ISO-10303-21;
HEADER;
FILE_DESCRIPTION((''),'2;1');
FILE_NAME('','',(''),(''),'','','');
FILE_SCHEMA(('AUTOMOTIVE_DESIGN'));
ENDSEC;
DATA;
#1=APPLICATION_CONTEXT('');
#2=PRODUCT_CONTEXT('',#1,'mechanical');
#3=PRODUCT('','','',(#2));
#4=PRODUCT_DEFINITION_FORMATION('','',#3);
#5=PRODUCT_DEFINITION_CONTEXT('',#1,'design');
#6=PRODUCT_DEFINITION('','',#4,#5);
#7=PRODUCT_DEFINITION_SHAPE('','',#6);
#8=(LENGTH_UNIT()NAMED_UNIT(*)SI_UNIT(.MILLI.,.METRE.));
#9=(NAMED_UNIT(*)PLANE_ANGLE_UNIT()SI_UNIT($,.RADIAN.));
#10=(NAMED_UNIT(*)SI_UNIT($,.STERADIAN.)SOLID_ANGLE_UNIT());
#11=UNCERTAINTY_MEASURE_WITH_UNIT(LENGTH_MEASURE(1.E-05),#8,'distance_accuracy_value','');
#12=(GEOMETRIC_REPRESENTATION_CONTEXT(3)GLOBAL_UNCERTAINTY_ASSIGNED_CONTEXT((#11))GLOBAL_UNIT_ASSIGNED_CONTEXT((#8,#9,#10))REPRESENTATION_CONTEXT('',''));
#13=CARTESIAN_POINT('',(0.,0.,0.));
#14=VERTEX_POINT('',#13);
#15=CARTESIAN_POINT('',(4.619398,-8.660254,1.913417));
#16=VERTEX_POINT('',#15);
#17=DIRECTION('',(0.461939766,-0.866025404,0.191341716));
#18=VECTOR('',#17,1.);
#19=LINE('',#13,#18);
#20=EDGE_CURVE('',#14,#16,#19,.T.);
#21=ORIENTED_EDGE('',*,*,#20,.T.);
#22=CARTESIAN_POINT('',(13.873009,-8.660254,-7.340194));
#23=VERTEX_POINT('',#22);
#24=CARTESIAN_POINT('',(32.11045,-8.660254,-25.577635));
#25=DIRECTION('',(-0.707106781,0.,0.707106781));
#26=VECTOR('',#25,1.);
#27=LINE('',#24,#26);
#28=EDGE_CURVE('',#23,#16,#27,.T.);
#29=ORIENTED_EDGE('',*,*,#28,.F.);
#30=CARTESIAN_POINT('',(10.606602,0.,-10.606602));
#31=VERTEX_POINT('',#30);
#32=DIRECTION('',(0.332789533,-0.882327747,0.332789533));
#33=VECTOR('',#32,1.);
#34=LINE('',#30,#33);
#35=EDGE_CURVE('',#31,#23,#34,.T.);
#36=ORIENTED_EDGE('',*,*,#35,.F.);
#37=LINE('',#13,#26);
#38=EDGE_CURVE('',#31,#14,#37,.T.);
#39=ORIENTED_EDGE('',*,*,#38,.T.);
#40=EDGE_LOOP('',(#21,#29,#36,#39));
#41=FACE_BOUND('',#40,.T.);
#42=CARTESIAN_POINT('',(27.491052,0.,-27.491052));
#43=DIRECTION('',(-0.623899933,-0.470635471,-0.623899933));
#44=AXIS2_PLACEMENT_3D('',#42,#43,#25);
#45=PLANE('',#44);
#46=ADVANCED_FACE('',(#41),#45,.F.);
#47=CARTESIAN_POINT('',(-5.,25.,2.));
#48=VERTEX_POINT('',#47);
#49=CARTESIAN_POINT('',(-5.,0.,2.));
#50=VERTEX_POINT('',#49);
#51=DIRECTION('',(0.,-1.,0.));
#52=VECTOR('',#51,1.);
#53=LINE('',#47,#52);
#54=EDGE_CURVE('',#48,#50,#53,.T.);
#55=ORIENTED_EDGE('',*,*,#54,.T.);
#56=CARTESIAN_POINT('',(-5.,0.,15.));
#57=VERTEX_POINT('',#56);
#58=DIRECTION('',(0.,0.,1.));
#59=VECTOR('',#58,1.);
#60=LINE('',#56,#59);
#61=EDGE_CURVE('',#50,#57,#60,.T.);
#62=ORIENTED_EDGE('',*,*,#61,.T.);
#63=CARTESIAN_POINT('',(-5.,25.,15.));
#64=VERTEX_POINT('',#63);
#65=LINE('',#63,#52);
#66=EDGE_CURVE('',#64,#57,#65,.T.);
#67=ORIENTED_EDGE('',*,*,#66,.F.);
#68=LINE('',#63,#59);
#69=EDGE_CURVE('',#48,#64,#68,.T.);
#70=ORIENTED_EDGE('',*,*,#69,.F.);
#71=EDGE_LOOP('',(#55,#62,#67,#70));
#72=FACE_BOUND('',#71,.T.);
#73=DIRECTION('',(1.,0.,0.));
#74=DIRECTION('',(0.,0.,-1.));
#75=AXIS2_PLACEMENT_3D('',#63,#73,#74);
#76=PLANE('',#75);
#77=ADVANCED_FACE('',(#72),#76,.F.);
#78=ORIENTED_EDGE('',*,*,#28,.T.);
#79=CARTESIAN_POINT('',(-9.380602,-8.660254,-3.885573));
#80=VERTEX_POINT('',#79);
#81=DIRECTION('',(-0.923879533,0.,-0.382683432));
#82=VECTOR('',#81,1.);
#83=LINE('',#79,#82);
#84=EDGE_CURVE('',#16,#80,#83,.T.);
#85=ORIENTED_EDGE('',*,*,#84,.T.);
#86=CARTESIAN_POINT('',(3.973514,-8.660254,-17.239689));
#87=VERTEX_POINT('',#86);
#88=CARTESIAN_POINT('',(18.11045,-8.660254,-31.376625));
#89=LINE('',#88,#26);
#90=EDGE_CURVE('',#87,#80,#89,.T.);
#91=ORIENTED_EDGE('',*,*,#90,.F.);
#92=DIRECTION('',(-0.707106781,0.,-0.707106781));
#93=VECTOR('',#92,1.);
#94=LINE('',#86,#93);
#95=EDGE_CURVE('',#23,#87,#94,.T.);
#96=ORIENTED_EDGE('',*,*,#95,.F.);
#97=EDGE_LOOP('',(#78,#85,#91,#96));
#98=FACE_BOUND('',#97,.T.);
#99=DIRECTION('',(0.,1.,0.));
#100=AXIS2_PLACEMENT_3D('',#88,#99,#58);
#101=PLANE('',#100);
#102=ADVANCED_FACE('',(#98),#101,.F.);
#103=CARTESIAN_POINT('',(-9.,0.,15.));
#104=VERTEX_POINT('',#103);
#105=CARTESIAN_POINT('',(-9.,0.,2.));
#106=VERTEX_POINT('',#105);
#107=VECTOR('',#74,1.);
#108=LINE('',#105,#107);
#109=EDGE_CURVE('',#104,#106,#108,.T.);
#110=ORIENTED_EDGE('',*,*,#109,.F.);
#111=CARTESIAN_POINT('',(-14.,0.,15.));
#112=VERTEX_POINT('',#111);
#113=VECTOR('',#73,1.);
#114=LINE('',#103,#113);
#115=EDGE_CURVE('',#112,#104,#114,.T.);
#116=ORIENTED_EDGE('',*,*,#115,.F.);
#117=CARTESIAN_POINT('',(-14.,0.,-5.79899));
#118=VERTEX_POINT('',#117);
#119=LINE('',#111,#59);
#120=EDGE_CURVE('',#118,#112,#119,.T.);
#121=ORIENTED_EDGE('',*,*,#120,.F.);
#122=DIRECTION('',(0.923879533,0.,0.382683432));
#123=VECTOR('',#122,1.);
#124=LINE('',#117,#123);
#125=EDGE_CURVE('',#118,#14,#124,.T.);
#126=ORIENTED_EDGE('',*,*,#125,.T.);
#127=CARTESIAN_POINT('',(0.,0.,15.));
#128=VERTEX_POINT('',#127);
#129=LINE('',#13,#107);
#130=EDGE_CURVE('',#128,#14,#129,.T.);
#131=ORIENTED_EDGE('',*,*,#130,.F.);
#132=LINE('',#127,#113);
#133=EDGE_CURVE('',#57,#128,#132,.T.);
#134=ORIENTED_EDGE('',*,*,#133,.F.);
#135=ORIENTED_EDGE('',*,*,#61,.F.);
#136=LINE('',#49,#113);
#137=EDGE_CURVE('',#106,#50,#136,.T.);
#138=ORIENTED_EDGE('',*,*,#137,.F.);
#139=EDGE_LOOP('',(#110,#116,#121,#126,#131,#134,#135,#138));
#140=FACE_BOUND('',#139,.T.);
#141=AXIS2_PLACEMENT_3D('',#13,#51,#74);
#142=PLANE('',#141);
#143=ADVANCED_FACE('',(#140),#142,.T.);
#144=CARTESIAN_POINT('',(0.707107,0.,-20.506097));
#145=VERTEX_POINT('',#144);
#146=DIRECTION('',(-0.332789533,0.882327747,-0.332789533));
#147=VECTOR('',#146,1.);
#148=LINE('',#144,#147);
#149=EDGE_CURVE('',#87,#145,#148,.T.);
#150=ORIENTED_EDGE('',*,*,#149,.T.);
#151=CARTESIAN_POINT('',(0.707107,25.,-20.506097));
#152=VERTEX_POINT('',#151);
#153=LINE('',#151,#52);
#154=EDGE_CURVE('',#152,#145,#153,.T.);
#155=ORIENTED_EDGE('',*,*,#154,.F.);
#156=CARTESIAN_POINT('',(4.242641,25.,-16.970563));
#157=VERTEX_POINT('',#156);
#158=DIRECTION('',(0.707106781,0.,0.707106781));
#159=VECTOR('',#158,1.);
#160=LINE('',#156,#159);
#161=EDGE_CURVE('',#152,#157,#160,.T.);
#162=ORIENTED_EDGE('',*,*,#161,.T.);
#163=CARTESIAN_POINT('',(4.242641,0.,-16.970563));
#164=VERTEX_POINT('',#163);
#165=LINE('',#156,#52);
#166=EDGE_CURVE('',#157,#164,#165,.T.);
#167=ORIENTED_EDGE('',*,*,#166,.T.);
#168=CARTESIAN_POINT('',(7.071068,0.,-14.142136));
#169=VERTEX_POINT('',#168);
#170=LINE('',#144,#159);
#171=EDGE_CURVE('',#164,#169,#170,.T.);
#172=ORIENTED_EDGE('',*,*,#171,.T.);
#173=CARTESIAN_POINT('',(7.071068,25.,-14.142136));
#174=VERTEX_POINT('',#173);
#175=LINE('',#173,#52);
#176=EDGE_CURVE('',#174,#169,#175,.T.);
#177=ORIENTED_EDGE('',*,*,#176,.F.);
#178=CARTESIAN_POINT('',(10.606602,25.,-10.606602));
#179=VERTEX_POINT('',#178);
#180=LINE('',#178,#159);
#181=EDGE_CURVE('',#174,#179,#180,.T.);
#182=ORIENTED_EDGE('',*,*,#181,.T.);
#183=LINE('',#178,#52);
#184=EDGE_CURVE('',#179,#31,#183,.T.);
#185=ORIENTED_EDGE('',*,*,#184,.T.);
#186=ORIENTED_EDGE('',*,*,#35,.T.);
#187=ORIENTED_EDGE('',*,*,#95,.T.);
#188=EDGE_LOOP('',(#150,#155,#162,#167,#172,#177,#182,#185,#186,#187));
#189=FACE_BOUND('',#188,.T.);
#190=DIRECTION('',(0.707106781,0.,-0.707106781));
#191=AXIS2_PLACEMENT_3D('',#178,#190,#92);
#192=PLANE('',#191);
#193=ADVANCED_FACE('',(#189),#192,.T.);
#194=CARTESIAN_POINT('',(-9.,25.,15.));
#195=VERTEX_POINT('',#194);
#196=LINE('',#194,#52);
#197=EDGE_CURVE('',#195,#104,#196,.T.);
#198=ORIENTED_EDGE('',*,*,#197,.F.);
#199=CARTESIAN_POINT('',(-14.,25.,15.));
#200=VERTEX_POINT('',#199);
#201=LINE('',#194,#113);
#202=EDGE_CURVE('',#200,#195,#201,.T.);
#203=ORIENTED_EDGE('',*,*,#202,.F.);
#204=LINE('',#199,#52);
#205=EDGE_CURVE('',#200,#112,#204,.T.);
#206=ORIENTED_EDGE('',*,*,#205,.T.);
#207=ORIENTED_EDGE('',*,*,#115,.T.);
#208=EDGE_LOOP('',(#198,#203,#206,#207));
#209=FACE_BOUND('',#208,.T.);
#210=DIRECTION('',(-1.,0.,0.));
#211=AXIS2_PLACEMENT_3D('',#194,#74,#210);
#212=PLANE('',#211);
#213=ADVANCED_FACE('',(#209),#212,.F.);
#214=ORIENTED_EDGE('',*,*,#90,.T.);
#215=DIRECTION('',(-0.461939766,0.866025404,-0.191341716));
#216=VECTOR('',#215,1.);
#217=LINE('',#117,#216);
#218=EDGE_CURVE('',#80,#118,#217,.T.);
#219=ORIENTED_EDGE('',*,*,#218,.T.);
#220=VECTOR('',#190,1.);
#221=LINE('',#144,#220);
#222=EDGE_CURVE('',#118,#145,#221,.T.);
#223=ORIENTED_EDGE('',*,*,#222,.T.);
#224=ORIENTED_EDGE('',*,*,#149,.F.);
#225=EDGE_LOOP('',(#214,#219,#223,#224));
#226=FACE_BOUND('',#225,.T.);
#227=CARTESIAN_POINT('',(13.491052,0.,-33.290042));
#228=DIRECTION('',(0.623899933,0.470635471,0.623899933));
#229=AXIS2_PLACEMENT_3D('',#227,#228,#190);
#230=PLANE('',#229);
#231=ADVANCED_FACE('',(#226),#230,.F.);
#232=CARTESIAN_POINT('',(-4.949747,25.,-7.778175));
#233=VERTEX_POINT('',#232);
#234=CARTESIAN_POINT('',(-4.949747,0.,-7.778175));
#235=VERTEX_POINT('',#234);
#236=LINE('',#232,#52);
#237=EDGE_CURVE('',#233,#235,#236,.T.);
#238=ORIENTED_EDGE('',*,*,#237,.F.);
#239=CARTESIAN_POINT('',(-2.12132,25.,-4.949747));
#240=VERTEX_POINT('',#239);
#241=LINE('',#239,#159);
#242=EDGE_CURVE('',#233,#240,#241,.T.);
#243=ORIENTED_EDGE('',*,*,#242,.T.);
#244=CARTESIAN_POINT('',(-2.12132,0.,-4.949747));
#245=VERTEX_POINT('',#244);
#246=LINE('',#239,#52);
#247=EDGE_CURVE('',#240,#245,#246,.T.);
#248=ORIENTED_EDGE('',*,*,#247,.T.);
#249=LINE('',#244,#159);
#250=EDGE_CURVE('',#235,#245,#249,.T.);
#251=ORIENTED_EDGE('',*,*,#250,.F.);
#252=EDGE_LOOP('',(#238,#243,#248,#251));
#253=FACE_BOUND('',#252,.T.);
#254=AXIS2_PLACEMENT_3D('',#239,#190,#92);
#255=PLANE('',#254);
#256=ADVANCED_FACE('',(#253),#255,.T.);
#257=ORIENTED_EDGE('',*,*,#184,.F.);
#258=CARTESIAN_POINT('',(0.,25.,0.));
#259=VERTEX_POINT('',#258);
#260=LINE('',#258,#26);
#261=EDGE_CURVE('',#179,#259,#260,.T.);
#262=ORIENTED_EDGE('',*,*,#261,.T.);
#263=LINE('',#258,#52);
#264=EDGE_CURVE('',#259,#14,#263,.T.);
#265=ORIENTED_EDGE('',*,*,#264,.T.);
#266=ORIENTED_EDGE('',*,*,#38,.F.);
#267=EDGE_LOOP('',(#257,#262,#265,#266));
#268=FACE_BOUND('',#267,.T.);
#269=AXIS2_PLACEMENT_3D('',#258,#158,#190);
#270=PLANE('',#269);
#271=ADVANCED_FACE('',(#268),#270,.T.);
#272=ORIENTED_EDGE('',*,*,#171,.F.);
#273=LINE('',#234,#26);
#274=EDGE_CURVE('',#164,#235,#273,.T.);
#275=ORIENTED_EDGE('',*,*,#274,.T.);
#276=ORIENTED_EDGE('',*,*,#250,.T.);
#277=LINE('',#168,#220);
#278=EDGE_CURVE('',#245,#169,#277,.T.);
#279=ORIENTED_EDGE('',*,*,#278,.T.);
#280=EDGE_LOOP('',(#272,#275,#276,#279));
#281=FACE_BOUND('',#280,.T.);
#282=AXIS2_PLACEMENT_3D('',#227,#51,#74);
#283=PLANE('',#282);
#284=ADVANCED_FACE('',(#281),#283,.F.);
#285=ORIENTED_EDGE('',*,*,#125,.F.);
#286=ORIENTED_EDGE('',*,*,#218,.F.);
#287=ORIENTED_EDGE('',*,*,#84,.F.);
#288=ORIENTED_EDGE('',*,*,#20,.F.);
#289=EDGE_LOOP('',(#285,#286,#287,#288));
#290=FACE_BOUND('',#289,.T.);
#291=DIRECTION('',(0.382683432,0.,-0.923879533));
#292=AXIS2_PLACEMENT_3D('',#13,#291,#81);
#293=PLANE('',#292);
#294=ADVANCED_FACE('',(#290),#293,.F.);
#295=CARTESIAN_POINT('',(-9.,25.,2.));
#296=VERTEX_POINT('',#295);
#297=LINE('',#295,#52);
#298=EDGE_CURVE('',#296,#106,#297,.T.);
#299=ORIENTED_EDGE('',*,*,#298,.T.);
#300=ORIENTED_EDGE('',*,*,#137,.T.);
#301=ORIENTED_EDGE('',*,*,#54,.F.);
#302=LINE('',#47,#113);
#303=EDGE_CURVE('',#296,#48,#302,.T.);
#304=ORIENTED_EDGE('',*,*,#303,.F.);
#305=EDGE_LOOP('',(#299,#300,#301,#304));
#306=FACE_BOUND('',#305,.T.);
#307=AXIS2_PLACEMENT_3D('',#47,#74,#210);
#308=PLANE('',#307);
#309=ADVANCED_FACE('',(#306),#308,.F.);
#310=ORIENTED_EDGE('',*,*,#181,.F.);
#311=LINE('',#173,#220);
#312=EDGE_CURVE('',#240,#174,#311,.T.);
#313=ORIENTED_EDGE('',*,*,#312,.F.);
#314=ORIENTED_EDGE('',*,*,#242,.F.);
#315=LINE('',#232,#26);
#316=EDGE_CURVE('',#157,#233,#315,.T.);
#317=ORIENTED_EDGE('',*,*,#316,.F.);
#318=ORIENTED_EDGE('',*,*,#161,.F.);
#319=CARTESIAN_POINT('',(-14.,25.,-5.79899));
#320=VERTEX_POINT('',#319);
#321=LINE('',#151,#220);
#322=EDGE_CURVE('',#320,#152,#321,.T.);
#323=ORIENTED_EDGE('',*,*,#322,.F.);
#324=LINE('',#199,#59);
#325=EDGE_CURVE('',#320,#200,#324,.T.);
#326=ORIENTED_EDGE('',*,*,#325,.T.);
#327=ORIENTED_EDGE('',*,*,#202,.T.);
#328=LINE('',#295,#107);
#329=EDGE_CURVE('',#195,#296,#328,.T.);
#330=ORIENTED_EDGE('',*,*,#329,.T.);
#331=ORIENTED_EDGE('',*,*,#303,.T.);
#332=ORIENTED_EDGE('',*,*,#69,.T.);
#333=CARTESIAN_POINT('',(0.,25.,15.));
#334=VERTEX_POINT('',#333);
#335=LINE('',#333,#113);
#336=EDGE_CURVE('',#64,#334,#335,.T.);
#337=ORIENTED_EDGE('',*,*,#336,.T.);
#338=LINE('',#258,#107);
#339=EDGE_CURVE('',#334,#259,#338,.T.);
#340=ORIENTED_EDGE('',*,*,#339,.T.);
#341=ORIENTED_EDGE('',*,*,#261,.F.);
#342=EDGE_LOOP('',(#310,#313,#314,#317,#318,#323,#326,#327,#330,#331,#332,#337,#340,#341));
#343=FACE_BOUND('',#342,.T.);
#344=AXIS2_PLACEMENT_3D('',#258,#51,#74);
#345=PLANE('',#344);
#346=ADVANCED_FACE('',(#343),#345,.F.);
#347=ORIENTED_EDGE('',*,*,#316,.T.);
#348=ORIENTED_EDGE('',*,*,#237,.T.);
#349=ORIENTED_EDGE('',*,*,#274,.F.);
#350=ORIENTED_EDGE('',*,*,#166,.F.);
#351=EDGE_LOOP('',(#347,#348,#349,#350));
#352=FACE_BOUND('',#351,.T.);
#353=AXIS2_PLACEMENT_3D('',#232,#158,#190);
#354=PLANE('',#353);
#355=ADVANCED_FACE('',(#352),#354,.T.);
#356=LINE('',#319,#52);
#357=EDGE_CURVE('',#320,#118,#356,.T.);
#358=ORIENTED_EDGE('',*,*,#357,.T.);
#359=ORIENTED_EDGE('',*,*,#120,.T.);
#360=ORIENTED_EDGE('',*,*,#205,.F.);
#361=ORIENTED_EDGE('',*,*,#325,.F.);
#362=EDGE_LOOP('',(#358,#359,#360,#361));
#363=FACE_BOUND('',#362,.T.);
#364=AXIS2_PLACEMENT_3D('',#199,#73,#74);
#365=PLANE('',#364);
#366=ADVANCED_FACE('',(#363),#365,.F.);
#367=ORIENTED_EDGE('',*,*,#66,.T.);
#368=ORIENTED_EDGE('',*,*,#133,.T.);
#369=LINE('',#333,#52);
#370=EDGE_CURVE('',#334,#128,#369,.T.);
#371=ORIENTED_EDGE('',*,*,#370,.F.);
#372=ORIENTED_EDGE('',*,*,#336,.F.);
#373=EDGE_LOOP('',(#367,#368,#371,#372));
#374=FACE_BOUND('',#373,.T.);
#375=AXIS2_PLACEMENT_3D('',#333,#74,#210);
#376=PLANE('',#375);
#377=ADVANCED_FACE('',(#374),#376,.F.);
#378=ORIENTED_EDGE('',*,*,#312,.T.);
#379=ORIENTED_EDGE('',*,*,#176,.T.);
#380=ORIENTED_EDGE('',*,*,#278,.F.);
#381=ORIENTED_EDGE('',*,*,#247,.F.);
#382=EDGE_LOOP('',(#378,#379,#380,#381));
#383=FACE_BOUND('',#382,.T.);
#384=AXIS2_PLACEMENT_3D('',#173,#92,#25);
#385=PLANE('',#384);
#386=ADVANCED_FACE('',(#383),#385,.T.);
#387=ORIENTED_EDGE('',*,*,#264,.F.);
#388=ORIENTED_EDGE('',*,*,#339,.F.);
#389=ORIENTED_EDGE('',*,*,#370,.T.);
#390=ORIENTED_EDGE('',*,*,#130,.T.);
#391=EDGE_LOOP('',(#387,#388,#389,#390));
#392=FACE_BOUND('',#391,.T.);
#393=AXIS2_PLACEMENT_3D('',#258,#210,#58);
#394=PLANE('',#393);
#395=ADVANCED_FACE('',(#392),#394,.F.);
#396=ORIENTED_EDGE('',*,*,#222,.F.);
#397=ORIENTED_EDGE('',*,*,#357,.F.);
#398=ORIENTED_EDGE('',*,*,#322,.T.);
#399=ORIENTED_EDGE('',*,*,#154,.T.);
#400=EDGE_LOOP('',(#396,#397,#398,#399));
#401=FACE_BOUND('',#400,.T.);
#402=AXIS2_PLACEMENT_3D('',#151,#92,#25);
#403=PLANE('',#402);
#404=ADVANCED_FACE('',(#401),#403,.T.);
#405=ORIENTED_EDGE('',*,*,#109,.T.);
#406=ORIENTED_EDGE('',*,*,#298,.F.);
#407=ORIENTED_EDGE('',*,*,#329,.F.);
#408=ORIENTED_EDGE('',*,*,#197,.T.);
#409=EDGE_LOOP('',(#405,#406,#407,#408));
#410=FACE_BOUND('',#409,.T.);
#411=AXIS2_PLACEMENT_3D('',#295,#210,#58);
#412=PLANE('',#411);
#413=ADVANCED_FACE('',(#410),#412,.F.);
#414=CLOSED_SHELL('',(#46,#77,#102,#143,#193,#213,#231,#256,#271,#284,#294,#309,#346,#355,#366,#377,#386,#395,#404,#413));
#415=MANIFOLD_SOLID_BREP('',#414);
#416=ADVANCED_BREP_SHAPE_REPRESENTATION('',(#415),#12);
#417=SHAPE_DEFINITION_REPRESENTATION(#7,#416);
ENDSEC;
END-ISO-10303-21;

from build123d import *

# Parameters (mm, degrees)
BOSS_EXTRUDE1_DEPTH = 25
BOSS_EXTRUDE3_REACH = 40.303


with BuildPart() as part:
    # Sketch2 → Boss-Extrude1 (new body)
    with BuildSketch(Plane(origin=(0, 0, 0), x_dir=(1, 0, 0), z_dir=(0, 1, 0))):
        Polygon((0, 0), (0, -15), (-5, -15), (-5, -2), (-9, -2), (-9, -15), (-14, -15), (-14, 5.798989873), align=None)
    boss_extrude1 = extrude(amount=BOSS_EXTRUDE1_DEPTH)

    # Mirror1: Boss-Extrude1 across plane
    add(boss_extrude1.mirror(Plane(origin=(0, 25, 0), x_dir=(0.9238795325112891, 0, 0.382683432365084), z_dir=(-0.382683432365084, 0, 0.9238795325112892))))

    # Boss-Extrude3: up to this plane
    boss_extrude3_end = Plane(origin=(10.606601718, 25, -10.606601718), z_dir=(0.7071067811865388, 0, -0.7071067811865563))
    # Sketch4 → Boss-Extrude3 (add, up to the surface)
    with BuildSketch(Plane(origin=(0, 0, 0), x_dir=(-0.9238795325112892, 0, -0.38268343236508406), z_dir=(0.3826834323650841, 0, -0.9238795325112893)), mode=Mode.PRIVATE) as boss_extrude3_sk1:
        Polygon((0, 0), (-5, -8.660254038), (10.153490804, -8.660254038), (15.153490804, 0), align=None)
    boss_extrude3_tool1 = split(extrude(boss_extrude3_sk1.sketch, amount=BOSS_EXTRUDE3_REACH, dir=(0.707106781187, 0, -0.707106781187), mode=Mode.PRIVATE), bisect_by=boss_extrude3_end, keep=Keep.BOTH, mode=Mode.PRIVATE)
    add(boss_extrude3_tool1.solids().sort_by_distance((-4.690301, -4.330127, -1.942786))[0])


solid = part.part
